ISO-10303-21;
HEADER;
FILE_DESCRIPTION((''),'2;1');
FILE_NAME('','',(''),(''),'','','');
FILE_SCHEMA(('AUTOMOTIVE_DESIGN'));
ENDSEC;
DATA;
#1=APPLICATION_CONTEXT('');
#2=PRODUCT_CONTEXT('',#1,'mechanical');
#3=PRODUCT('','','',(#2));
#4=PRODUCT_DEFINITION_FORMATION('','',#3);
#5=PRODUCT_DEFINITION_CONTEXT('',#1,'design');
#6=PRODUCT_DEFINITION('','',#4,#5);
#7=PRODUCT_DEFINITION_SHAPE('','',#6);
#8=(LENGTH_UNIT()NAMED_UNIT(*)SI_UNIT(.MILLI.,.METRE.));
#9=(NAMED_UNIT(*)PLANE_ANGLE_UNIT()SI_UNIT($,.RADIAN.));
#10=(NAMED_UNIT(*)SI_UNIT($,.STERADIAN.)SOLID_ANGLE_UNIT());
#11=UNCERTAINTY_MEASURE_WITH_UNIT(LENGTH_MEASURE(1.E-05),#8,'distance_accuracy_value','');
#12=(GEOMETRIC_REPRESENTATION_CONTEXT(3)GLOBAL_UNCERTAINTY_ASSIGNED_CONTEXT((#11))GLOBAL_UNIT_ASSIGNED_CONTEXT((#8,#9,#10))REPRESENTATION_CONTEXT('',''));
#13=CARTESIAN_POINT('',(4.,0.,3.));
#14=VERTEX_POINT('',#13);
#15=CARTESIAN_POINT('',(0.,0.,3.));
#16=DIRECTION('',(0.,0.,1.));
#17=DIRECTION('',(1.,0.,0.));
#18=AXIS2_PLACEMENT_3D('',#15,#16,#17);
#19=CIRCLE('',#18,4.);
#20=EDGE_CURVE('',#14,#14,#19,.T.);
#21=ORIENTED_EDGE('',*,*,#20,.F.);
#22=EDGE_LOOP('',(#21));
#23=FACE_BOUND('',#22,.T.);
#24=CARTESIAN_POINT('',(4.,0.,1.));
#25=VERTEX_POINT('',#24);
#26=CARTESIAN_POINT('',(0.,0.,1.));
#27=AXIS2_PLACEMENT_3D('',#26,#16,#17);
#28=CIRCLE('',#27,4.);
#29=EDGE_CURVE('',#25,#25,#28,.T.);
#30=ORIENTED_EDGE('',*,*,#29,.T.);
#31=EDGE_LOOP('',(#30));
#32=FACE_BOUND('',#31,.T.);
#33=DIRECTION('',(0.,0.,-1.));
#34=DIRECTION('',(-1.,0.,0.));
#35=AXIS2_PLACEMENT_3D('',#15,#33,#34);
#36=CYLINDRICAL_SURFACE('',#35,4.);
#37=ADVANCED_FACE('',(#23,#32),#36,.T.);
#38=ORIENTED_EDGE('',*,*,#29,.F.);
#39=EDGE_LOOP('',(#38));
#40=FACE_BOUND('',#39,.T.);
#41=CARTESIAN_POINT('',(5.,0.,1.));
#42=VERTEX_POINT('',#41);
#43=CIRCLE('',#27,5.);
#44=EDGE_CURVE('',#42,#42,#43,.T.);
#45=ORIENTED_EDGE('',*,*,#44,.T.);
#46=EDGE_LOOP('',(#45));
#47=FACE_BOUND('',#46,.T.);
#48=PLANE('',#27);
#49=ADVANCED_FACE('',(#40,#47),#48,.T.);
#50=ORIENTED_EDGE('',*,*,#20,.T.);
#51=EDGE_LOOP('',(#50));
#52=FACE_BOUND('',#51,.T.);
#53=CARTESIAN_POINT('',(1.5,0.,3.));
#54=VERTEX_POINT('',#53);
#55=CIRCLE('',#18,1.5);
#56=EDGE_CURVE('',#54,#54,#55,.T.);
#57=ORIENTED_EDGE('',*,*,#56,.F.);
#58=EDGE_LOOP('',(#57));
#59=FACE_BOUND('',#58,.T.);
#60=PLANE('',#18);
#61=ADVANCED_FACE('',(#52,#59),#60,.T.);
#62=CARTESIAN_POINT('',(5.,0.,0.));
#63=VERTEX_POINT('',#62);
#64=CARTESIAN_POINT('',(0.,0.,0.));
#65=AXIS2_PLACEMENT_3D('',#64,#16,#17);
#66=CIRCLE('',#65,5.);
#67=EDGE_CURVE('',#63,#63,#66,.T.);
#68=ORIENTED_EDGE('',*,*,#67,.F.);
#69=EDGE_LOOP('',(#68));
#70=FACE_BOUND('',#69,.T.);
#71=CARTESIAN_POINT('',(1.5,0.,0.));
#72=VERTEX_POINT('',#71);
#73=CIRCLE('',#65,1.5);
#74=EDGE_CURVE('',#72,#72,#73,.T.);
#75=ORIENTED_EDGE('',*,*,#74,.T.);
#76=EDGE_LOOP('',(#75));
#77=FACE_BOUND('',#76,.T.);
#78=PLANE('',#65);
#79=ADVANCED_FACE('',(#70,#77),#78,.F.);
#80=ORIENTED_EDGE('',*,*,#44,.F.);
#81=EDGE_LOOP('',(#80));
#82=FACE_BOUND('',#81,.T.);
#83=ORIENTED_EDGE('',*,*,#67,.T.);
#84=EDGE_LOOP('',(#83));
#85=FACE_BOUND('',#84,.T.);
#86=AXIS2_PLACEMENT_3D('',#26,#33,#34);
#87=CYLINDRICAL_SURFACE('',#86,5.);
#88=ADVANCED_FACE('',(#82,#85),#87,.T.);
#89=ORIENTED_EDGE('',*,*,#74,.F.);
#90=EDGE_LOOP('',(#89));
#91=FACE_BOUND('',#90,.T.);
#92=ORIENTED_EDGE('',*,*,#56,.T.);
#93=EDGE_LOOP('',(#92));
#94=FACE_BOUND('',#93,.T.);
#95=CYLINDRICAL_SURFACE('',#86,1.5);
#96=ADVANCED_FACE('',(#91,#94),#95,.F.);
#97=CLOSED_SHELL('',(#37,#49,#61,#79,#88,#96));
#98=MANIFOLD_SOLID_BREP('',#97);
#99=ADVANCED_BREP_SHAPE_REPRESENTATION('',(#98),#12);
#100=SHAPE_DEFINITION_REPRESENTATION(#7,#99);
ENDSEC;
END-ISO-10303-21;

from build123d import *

# Parameters (mm, degrees)
SKETCH_1_R          = 5
SKETCH_1_R_2        = 1.5
EXTRUDE_1_DEPTH     = 1
SKETCH_2_R          = 4
EXTRUDE_2_DEPTH     = 2
SKETCH_3_R          = 1.5
CUT_EXTRUDE_1_DEPTH = 8.681145748


with BuildPart() as part:
    # 스케치1 → 돌출1 (new body)
    with BuildSketch(Plane.XY):
        Circle(SKETCH_1_R)
        Circle(SKETCH_1_R_2, mode=Mode.SUBTRACT)
    extrude(amount=EXTRUDE_1_DEPTH)

    # 스케치2 → 돌출2 (add)
    with BuildSketch(Plane.XY.offset(1)):
        Circle(SKETCH_2_R)
    extrude(amount=EXTRUDE_2_DEPTH)

    # 스케치3 → 컷-돌출1 (cut, through all)
    with BuildSketch(Plane.XY.offset(3)):
        Circle(SKETCH_3_R)
    extrude(amount=-CUT_EXTRUDE_1_DEPTH, mode=Mode.SUBTRACT)


solid = part.part
